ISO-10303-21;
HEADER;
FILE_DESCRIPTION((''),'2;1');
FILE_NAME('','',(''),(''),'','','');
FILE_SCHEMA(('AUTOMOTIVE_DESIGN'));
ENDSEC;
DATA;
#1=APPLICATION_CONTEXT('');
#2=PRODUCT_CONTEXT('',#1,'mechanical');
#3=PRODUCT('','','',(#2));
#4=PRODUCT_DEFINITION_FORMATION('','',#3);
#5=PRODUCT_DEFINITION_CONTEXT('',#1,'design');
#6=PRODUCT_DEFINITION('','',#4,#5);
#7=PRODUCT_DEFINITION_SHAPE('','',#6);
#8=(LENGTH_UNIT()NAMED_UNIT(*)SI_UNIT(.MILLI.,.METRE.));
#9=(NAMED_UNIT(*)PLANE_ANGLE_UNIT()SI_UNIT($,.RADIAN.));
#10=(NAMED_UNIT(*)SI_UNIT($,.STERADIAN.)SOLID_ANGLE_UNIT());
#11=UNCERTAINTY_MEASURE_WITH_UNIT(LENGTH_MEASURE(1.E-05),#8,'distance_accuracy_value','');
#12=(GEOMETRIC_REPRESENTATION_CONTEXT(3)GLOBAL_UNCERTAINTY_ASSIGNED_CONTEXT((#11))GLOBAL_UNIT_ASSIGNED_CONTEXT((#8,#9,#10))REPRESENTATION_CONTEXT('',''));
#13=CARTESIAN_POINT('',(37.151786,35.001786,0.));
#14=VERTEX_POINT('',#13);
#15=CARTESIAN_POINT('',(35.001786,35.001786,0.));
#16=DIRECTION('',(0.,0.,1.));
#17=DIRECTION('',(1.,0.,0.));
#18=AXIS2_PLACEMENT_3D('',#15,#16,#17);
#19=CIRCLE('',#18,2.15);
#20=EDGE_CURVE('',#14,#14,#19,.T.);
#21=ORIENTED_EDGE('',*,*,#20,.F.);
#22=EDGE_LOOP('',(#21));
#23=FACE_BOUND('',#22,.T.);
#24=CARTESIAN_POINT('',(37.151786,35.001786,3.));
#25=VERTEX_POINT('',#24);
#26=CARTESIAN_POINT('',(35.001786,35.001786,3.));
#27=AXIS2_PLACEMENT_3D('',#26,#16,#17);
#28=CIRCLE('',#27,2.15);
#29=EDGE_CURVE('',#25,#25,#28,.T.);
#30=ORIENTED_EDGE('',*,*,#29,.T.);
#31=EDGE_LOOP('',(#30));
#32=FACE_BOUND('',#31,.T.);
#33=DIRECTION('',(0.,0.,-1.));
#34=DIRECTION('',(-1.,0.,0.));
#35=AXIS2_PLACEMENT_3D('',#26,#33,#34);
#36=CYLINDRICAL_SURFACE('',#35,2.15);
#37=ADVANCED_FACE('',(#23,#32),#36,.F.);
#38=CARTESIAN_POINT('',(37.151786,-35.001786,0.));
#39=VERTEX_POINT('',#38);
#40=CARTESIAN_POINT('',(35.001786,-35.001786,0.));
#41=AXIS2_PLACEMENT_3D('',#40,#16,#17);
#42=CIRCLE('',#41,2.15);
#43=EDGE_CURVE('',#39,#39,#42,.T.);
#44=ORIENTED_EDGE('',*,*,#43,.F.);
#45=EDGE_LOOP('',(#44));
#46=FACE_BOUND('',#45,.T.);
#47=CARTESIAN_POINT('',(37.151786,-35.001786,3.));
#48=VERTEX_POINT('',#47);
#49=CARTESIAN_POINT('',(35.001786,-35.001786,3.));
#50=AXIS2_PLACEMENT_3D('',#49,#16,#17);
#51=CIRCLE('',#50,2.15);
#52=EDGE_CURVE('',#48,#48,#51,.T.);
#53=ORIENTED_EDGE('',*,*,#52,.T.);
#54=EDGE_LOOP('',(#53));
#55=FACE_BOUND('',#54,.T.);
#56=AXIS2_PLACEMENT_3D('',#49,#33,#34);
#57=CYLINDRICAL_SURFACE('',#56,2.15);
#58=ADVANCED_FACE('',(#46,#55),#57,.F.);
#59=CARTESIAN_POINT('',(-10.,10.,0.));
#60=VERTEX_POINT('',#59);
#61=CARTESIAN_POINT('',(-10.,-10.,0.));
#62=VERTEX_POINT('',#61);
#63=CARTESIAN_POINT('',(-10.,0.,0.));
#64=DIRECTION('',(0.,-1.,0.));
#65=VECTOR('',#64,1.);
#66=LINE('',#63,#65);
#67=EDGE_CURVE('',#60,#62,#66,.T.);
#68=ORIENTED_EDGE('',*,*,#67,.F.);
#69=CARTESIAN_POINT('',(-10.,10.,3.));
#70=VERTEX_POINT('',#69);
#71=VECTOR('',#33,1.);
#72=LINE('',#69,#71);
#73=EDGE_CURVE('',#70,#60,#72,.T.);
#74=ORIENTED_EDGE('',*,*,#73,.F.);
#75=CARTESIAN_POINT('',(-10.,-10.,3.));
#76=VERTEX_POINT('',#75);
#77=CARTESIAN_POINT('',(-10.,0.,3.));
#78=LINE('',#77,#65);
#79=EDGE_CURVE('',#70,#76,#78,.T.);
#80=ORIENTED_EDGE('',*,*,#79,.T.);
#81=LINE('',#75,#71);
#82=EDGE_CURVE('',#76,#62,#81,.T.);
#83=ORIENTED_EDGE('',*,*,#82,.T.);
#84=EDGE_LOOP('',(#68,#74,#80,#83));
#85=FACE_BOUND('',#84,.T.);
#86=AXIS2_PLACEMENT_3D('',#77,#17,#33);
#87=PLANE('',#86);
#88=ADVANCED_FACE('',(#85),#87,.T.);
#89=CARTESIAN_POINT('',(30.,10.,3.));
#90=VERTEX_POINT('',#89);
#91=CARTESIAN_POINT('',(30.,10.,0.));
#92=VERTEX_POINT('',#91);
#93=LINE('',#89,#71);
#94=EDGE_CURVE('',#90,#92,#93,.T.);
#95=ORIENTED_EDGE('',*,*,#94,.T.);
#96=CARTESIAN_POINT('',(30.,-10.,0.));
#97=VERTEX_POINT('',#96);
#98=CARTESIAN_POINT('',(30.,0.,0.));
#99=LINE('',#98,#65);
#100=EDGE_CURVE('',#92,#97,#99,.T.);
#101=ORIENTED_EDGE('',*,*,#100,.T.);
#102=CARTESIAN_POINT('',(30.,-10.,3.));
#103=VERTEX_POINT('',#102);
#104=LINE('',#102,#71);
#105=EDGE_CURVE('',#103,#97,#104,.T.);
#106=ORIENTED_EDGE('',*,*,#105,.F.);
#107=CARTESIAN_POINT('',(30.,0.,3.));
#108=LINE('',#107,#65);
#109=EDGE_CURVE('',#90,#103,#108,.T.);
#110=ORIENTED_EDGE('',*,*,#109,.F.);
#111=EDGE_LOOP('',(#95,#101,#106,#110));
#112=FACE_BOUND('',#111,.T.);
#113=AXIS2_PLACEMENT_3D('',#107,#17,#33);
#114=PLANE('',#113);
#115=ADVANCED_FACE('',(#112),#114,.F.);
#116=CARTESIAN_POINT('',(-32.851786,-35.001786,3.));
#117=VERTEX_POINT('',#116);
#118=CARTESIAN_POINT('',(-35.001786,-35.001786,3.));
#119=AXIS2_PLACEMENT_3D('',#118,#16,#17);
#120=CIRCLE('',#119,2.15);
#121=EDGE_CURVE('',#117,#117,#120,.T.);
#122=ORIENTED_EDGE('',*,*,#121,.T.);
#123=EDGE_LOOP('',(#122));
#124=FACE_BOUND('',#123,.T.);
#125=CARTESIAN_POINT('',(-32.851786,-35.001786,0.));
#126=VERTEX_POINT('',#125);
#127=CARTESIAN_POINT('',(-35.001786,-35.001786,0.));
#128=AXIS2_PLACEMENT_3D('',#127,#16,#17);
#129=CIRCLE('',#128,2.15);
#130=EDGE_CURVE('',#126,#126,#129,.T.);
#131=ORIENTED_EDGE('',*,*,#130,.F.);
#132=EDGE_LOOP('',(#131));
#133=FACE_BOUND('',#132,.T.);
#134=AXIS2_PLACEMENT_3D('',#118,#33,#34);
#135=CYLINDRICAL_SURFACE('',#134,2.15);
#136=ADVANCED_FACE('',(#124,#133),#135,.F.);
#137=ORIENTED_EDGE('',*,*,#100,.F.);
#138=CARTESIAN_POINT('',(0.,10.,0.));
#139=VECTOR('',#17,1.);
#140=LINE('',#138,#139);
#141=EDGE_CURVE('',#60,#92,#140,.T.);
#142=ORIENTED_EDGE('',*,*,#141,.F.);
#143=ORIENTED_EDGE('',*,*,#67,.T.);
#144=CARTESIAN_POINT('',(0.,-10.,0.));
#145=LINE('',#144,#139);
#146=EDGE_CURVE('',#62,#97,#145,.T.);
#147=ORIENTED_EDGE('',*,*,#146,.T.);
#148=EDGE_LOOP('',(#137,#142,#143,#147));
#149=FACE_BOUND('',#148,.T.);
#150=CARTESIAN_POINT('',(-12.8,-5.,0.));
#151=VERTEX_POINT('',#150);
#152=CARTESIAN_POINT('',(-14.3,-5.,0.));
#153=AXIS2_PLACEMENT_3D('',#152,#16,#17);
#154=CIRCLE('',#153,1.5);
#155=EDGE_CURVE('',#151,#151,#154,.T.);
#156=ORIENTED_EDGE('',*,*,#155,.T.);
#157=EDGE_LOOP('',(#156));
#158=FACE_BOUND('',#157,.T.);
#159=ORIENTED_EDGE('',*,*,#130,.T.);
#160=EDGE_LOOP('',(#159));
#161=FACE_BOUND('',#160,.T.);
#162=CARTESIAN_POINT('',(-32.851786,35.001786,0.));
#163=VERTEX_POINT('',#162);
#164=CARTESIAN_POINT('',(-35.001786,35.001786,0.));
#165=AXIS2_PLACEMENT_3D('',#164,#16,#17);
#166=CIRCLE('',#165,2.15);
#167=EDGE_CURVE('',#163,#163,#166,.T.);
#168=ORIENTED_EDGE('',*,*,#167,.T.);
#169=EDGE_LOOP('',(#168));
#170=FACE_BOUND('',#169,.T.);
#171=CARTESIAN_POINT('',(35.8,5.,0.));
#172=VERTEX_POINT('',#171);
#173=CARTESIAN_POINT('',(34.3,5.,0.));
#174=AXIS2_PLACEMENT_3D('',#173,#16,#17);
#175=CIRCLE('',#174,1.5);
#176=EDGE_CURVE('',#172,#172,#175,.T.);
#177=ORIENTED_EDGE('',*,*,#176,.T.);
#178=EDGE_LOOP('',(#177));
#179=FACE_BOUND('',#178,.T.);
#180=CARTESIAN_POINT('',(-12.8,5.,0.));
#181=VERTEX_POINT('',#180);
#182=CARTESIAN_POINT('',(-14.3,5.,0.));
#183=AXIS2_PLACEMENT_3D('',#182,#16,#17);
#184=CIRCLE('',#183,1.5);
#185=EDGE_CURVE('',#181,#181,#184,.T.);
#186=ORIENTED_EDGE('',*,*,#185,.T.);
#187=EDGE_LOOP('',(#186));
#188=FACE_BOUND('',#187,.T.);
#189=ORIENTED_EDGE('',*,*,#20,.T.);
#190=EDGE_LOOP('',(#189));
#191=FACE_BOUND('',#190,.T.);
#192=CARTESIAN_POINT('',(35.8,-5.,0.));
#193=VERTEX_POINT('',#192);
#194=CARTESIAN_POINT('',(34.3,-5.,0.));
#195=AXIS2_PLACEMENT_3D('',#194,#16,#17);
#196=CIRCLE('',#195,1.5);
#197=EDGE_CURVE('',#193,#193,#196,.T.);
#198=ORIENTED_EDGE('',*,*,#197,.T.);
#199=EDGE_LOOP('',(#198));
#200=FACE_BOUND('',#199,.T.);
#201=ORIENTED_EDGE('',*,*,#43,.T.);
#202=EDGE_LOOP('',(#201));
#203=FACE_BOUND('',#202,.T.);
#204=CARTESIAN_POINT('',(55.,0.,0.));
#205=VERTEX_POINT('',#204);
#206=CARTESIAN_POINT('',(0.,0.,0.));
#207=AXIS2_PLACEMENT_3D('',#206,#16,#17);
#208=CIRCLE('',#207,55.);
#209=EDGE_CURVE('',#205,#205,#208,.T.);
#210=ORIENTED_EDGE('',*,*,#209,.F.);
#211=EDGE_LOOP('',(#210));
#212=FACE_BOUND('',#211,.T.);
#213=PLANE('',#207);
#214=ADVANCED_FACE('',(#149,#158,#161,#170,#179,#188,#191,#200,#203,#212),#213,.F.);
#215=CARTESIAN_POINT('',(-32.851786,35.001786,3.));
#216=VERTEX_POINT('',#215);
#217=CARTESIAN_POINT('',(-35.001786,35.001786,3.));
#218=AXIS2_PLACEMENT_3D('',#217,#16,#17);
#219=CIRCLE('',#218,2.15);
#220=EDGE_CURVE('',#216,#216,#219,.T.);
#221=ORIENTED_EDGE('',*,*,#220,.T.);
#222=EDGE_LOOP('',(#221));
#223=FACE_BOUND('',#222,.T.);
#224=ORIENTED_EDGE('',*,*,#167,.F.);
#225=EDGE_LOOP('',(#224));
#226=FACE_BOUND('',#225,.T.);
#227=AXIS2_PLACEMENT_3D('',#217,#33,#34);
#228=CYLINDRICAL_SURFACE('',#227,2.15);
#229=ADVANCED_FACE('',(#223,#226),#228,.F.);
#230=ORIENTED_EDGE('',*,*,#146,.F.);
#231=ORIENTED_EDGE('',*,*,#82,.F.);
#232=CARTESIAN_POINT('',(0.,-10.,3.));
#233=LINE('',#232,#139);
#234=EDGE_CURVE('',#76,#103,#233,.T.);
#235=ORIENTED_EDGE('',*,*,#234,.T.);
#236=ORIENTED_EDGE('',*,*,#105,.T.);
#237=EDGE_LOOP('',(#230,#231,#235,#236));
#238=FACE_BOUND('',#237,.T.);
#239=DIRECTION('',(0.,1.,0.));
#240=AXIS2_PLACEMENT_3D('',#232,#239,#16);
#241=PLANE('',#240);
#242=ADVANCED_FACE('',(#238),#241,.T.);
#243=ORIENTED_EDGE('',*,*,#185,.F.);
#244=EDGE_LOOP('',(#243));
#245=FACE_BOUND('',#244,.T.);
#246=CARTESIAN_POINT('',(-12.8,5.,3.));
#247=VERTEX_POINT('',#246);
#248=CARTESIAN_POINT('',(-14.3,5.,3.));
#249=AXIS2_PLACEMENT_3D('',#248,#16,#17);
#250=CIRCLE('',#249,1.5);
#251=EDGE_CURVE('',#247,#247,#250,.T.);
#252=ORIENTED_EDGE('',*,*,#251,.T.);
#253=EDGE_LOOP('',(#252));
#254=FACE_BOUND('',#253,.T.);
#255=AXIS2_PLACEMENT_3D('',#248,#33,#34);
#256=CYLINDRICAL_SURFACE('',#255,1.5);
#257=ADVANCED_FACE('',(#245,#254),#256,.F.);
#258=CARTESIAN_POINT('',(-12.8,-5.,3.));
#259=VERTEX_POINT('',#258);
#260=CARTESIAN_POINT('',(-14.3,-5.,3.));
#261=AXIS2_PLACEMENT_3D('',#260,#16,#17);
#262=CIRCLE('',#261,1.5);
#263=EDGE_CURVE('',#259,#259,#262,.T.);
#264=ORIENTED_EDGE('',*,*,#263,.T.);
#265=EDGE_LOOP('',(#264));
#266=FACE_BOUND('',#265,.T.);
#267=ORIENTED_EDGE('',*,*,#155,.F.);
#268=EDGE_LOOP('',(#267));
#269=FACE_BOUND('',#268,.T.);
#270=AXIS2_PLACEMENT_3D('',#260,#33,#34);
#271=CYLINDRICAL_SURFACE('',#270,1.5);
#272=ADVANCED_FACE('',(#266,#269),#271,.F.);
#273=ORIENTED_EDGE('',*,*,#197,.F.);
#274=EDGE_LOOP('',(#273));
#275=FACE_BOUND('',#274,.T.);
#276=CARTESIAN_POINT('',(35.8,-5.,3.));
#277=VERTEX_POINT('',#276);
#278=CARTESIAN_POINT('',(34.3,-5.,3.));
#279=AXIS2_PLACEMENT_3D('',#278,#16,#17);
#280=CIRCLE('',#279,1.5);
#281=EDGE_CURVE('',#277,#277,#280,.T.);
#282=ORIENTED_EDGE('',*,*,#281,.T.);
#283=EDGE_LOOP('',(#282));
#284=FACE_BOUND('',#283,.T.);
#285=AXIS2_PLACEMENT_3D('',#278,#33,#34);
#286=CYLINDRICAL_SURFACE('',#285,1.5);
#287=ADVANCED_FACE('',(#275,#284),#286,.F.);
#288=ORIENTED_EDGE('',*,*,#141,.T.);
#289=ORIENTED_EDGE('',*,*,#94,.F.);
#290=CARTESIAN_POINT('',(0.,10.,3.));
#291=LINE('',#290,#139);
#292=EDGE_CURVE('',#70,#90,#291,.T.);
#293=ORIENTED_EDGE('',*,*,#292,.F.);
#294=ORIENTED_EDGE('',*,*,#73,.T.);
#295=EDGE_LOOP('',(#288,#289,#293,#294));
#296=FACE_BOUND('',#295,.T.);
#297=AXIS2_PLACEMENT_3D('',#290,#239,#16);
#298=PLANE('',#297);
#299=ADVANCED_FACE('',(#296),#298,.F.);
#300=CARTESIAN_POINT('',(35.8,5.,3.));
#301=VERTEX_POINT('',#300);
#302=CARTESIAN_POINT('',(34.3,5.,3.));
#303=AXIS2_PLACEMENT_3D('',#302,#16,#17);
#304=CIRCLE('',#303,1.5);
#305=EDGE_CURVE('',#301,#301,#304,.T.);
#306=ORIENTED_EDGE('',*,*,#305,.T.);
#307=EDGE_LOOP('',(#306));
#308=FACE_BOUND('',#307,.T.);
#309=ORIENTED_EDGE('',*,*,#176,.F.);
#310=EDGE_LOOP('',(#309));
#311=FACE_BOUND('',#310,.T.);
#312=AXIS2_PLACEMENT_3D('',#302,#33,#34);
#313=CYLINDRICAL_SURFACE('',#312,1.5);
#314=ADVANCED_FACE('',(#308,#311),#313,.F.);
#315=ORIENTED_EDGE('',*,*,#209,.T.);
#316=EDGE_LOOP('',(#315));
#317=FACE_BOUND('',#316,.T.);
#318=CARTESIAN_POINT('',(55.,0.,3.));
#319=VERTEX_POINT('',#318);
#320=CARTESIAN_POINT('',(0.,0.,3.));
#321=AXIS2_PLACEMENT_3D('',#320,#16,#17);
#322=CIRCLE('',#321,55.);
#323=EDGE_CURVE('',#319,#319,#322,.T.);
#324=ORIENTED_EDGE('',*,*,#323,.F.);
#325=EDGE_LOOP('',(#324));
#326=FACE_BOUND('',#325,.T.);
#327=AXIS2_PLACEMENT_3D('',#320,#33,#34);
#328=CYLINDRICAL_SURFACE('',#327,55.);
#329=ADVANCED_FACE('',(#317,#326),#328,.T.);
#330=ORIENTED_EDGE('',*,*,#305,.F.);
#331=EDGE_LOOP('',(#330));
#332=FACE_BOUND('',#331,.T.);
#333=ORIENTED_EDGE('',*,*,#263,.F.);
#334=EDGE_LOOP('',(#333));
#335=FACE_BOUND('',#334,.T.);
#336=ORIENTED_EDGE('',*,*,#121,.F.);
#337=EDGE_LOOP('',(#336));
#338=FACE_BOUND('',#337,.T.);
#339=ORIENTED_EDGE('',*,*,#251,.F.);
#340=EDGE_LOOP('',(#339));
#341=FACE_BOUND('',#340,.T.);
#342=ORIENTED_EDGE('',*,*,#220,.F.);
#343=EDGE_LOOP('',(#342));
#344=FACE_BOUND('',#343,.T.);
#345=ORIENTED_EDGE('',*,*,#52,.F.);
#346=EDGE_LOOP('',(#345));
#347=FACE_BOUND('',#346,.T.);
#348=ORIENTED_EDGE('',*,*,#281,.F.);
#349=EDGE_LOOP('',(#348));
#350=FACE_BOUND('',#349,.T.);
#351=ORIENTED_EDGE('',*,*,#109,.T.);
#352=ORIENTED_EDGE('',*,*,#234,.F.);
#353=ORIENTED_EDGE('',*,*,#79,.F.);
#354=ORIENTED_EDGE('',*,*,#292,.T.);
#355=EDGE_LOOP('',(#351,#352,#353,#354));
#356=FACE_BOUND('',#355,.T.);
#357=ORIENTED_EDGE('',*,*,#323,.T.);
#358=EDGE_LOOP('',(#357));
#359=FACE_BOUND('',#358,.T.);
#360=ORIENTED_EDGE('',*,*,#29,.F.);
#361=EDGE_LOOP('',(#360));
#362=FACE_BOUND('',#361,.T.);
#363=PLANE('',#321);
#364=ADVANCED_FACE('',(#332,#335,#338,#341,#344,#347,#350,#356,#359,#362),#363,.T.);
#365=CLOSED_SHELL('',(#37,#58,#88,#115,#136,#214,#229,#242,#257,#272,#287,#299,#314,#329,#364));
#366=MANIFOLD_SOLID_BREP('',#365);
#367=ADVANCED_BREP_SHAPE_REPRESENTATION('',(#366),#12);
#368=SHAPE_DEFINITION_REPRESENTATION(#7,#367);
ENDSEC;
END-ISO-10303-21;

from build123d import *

# Parameters (mm, degrees)
SKETCH_1_R      = 55
SKETCH_1_R_2    = 2.15
SKETCH_1_R_3    = 1.5
SKETCH_1_W      = 40
SKETCH_1_H      = 20
EXTRUDE_2_DEPTH = 3


with BuildPart() as part:
    # 草图1 → 凸台-拉伸2 (new body)
    with BuildSketch(Plane.XY):
        Circle(SKETCH_1_R)
        with Locations((-35.001785669, 35.001785669)):
            Circle(SKETCH_1_R_2, mode=Mode.SUBTRACT)
        with Locations((35.001785669, 35.001785669)):
            Circle(SKETCH_1_R_2, mode=Mode.SUBTRACT)
        with Locations((35.001785669, -35.001785669)):
            Circle(SKETCH_1_R_2, mode=Mode.SUBTRACT)
        with Locations((-35.001785669, -35.001785669)):
            Circle(SKETCH_1_R_2, mode=Mode.SUBTRACT)
        with Locations((-14.3, 5)):
            Circle(SKETCH_1_R_3, mode=Mode.SUBTRACT)
        with Locations((-14.3, -5)):
            Circle(SKETCH_1_R_3, mode=Mode.SUBTRACT)
        with Locations((34.3, 5)):
            Circle(SKETCH_1_R_3, mode=Mode.SUBTRACT)
        with Locations((34.3, -5)):
            Circle(SKETCH_1_R_3, mode=Mode.SUBTRACT)
        with Locations((10, 0)):
            Rectangle(SKETCH_1_W, SKETCH_1_H, mode=Mode.SUBTRACT)
    extrude(amount=EXTRUDE_2_DEPTH)


solid = part.part
